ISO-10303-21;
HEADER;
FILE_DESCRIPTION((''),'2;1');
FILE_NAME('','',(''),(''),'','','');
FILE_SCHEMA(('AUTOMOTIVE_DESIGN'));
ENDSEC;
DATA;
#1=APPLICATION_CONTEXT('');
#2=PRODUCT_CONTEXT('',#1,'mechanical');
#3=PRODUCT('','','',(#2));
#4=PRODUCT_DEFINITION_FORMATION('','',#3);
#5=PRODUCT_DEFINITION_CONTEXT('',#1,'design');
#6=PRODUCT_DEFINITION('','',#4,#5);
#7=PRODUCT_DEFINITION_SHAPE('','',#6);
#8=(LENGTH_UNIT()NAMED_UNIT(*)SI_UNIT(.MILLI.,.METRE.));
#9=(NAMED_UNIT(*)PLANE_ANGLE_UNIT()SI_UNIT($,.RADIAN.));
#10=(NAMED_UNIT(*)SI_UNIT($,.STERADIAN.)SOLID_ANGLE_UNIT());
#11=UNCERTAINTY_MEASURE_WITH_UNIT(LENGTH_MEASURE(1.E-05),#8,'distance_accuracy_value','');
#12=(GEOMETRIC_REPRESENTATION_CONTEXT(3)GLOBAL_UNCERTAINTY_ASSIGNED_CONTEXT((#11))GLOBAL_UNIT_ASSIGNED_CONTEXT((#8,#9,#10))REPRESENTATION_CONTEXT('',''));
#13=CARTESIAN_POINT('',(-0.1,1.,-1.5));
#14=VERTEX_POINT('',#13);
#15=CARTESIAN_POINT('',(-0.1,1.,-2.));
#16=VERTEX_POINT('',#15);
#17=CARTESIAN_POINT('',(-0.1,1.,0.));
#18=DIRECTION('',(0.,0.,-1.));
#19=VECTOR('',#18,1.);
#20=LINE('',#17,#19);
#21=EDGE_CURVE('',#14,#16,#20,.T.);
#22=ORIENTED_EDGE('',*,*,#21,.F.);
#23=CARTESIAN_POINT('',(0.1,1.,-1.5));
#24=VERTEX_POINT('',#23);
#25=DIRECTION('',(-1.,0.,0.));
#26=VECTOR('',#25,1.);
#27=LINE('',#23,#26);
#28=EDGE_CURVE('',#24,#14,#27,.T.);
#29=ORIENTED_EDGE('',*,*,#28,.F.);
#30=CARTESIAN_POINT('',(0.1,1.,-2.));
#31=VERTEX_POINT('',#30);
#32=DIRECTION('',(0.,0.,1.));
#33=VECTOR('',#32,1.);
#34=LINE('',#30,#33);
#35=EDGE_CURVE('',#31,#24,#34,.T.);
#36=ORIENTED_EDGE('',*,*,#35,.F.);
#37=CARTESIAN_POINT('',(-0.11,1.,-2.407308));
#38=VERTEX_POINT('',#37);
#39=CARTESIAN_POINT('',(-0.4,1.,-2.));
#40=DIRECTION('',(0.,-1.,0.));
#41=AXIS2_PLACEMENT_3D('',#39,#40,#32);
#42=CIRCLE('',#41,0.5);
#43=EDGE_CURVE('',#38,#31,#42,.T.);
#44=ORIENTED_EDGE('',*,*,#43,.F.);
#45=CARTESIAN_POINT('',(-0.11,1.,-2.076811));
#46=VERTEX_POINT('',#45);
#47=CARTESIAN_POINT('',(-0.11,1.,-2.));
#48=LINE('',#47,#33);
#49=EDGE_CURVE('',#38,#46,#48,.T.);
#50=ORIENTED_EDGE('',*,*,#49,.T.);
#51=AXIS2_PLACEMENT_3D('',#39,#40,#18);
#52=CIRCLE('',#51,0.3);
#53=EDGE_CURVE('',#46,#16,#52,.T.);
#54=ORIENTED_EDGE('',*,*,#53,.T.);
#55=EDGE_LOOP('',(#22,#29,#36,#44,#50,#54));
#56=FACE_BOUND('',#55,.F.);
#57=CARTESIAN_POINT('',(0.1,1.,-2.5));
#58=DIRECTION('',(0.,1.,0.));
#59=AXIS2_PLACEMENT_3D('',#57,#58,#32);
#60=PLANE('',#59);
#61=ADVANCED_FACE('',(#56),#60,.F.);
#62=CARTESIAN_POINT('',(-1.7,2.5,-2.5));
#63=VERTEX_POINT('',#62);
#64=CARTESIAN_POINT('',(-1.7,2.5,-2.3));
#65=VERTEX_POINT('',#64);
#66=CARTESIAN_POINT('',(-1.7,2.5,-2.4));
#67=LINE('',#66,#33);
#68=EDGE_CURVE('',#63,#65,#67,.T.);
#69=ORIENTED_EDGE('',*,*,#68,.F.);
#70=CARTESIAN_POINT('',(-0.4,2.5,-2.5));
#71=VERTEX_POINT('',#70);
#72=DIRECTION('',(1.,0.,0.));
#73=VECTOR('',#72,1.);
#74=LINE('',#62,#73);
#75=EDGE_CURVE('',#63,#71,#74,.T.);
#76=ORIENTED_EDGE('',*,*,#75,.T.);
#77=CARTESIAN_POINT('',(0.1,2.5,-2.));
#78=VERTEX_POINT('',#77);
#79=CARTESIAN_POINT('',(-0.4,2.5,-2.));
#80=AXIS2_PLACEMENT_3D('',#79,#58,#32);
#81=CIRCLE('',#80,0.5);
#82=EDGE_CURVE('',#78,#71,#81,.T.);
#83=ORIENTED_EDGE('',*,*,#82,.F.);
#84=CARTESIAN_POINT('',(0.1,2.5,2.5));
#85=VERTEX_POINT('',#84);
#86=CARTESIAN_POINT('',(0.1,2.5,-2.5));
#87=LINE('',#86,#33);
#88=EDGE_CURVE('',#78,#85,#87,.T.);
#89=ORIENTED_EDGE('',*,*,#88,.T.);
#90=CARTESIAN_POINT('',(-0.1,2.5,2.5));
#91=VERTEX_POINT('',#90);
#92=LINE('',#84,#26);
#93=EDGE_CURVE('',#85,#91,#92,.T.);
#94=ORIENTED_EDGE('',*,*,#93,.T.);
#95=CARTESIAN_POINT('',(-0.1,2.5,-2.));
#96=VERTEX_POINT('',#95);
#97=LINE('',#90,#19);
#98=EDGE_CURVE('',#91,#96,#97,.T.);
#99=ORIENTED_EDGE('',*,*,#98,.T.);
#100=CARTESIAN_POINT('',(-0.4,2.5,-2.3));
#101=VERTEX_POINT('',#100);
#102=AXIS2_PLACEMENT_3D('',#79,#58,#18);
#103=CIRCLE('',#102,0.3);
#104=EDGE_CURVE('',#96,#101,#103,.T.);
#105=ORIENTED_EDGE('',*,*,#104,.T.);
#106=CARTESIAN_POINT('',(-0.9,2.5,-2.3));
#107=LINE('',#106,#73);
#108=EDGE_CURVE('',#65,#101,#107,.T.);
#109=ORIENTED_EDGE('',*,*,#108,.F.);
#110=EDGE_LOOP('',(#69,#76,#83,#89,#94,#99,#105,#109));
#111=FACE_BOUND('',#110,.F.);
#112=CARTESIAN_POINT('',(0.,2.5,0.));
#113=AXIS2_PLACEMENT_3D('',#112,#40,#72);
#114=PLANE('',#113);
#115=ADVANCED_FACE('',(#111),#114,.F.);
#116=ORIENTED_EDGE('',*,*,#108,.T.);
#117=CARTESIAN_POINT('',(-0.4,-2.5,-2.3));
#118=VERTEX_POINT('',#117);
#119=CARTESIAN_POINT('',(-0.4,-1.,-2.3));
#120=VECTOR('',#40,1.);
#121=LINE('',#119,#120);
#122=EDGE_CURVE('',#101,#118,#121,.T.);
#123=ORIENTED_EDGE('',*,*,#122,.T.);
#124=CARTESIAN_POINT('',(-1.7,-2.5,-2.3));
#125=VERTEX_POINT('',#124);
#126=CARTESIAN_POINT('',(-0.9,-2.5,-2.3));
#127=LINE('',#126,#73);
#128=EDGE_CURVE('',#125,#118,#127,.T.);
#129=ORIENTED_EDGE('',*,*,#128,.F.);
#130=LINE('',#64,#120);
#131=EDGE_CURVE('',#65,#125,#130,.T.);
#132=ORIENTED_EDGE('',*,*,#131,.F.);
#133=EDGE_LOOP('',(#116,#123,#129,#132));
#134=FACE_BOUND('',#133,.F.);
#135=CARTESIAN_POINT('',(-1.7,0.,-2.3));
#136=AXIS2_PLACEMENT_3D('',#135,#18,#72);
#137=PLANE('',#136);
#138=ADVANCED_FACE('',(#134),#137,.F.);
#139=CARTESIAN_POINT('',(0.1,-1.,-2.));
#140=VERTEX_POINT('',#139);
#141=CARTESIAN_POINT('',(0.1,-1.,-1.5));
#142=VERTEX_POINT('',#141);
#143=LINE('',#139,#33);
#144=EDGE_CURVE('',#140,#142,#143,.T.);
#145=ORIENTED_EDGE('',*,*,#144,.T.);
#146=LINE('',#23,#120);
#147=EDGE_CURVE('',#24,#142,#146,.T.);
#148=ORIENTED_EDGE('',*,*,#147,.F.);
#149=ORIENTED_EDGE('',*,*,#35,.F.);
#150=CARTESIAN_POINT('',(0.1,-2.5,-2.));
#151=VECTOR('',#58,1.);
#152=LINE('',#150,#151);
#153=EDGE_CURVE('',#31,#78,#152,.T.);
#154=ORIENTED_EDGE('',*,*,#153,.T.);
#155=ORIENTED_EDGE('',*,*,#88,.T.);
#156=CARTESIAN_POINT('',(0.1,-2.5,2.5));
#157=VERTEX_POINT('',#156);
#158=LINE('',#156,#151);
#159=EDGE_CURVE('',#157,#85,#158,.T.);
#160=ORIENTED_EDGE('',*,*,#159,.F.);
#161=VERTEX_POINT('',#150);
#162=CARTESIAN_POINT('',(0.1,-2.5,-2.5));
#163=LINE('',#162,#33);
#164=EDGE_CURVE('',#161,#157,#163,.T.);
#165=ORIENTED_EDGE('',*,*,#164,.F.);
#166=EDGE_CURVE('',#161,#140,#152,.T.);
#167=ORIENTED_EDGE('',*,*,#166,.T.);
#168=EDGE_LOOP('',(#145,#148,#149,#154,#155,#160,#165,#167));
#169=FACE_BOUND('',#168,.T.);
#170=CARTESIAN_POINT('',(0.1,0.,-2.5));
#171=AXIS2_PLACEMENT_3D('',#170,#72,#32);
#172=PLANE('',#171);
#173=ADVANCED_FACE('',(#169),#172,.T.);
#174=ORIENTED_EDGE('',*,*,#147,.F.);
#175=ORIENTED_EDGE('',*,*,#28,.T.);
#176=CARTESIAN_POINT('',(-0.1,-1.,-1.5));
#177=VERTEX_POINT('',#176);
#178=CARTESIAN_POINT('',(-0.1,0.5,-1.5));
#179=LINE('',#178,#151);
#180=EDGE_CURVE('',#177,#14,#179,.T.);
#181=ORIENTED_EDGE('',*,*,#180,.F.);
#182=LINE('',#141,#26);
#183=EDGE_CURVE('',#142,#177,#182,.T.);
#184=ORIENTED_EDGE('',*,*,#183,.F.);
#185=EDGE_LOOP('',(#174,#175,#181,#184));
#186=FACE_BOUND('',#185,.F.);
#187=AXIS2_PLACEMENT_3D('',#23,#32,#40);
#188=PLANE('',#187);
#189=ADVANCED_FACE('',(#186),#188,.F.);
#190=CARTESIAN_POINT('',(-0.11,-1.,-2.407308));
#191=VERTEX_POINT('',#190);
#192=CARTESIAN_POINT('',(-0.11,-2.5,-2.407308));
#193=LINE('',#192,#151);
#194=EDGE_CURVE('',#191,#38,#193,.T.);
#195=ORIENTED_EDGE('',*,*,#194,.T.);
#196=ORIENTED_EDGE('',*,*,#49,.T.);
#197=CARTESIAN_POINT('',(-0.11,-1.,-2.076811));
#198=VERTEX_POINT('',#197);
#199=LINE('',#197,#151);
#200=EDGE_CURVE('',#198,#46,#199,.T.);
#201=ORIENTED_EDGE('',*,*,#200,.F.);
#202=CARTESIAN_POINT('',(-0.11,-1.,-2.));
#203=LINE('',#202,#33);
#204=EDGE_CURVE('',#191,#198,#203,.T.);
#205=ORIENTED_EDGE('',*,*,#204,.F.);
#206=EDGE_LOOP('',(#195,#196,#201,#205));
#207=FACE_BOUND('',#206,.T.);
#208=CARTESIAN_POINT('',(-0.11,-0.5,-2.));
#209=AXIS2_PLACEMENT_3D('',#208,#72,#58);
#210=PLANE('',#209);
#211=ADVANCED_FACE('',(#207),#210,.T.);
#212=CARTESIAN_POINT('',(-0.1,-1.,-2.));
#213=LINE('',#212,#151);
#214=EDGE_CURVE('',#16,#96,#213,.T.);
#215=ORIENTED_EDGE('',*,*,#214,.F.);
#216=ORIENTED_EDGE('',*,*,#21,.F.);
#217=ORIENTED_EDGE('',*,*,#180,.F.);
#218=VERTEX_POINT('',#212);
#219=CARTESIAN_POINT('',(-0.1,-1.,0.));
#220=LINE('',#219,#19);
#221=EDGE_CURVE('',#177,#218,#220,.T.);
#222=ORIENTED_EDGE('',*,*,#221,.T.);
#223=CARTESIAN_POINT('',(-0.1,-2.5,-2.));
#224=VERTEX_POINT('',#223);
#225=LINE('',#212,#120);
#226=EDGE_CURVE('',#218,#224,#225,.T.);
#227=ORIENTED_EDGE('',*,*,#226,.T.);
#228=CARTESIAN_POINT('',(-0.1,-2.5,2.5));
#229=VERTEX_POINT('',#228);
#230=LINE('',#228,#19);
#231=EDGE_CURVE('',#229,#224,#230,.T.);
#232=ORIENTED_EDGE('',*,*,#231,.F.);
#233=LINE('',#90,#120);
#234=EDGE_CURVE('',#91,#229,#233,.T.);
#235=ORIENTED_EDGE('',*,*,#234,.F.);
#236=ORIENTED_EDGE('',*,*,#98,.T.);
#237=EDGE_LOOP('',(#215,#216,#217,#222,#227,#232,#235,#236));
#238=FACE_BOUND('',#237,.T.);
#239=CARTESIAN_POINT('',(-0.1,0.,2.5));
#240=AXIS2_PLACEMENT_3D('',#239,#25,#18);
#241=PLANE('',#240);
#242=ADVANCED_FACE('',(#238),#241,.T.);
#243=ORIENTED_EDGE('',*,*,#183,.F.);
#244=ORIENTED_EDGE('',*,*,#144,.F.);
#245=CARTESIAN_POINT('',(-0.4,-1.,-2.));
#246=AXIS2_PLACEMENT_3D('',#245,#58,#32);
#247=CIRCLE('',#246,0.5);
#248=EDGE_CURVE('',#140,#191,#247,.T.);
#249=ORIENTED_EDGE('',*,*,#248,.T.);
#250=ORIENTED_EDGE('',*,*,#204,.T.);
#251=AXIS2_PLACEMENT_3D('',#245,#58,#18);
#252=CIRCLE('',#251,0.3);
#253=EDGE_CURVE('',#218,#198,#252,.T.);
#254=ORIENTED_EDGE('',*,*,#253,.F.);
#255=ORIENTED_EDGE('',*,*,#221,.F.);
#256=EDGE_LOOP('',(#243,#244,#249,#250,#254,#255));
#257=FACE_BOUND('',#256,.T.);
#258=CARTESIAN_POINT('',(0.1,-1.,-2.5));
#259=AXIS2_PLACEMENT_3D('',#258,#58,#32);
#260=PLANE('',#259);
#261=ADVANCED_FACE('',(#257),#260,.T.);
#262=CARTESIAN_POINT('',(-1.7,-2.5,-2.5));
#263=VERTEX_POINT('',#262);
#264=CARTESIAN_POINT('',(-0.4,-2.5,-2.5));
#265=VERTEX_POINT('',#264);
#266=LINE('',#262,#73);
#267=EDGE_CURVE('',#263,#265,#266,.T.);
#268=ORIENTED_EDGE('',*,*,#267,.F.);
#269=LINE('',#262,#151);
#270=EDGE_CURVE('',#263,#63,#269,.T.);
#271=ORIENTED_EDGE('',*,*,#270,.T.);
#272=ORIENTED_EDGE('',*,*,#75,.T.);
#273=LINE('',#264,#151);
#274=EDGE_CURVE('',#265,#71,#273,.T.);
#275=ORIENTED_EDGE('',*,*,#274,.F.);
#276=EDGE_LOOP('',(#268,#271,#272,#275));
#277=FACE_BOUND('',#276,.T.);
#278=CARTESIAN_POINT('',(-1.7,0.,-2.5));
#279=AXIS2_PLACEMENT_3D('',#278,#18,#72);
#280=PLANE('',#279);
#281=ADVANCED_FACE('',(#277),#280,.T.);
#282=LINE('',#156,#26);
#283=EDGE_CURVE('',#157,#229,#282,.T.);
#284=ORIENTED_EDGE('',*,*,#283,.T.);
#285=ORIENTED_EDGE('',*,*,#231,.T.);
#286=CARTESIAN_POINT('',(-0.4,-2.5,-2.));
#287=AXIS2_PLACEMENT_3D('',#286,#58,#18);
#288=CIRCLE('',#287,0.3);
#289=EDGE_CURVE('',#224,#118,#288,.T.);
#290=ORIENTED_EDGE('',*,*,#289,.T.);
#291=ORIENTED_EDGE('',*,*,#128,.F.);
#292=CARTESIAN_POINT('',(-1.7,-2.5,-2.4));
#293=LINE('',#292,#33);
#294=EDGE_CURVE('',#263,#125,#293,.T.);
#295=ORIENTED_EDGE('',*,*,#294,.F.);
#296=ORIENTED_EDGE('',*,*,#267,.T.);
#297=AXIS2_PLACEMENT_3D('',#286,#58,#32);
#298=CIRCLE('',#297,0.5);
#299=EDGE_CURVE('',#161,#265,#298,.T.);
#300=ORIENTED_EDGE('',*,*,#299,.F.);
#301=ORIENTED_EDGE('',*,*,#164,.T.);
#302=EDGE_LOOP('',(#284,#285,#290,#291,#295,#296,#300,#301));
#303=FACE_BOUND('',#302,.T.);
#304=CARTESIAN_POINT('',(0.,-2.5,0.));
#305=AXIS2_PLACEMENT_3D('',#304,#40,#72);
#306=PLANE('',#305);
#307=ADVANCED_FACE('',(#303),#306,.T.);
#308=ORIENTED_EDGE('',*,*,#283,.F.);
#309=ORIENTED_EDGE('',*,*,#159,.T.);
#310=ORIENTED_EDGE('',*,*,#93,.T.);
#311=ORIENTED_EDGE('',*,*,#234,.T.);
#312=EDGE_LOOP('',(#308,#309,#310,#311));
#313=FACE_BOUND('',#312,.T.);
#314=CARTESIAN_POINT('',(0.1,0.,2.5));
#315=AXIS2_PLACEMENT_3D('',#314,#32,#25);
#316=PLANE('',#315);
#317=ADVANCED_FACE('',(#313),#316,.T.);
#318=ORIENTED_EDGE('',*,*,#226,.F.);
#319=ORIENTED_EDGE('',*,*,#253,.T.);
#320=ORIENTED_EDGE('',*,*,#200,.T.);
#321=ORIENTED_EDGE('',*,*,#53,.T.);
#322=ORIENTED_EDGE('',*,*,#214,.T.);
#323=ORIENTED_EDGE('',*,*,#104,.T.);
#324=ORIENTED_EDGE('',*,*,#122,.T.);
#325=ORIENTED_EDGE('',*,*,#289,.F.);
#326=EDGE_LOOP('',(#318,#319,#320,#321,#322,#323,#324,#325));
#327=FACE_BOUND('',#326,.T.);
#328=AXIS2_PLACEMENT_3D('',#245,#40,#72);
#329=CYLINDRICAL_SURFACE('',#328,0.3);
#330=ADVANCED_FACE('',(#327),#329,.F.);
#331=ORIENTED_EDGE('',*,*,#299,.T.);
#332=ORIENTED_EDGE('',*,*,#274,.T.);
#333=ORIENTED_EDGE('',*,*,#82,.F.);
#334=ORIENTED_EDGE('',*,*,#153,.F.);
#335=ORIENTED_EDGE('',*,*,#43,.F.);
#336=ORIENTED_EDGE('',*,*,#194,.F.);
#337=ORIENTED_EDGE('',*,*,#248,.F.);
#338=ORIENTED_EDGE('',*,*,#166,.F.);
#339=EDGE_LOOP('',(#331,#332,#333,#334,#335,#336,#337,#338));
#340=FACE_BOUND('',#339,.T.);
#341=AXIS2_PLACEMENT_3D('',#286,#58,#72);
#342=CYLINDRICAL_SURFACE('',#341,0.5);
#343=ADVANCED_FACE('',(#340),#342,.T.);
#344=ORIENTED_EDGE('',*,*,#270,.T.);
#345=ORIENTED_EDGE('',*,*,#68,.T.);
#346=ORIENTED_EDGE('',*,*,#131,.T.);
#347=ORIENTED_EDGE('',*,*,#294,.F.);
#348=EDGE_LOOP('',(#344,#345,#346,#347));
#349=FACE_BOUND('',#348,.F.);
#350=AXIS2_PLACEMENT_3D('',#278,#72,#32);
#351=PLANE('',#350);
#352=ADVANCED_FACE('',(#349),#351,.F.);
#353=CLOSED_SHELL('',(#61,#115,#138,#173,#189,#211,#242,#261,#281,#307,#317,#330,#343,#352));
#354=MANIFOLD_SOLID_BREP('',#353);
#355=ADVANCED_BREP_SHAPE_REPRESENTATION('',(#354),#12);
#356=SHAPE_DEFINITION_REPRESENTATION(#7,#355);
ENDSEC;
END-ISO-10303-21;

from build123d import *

# Parameters (mm, degrees)
F0_W     = 1.6
F0_H     = 0.2
F1_DEPTH = 2.5
F2_W     = 1
F2_H     = 1
F3_DEPTH = 0.21
F4_R     = 0.3
F5_R     = 0.5


with BuildPart() as f1:
    # F0 (on Front) → F1 (new body, symmetric)
    with BuildSketch(Plane.XZ):
        Polygon((0.1, 2.5), (-0.1, 2.5), (-0.1, -2.3), (-0.1, -2.5), (0.1, -2.5), align=None)
        with Locations((-0.9, -2.4)):
            Rectangle(F0_W, F0_H)
    extrude(amount=F1_DEPTH, both=True)

    # F2 (on face) → F3 (cut)
    with BuildSketch(Plane.YZ.offset(0.1)):
        with Locations((-0.5, -2)):
            Rectangle(F2_W, F2_H)
        with Locations((0.5, -2)):
            Rectangle(F2_W, F2_H)
    extrude(amount=-F3_DEPTH, mode=Mode.SUBTRACT)

    # F4
    f4_edges = [f1.edges().sort_by_distance(p)[0] for p in [
        (-0.1, -1.75, -2.3),
    ]]
    fillet(f4_edges, radius=F4_R)

    # F5
    f5_edges = [f1.edges().sort_by_distance(p)[0] for p in [
        (0.1, -1.75, -2.5),
    ]]
    fillet(f5_edges, radius=F5_R)


solid = f1.part
